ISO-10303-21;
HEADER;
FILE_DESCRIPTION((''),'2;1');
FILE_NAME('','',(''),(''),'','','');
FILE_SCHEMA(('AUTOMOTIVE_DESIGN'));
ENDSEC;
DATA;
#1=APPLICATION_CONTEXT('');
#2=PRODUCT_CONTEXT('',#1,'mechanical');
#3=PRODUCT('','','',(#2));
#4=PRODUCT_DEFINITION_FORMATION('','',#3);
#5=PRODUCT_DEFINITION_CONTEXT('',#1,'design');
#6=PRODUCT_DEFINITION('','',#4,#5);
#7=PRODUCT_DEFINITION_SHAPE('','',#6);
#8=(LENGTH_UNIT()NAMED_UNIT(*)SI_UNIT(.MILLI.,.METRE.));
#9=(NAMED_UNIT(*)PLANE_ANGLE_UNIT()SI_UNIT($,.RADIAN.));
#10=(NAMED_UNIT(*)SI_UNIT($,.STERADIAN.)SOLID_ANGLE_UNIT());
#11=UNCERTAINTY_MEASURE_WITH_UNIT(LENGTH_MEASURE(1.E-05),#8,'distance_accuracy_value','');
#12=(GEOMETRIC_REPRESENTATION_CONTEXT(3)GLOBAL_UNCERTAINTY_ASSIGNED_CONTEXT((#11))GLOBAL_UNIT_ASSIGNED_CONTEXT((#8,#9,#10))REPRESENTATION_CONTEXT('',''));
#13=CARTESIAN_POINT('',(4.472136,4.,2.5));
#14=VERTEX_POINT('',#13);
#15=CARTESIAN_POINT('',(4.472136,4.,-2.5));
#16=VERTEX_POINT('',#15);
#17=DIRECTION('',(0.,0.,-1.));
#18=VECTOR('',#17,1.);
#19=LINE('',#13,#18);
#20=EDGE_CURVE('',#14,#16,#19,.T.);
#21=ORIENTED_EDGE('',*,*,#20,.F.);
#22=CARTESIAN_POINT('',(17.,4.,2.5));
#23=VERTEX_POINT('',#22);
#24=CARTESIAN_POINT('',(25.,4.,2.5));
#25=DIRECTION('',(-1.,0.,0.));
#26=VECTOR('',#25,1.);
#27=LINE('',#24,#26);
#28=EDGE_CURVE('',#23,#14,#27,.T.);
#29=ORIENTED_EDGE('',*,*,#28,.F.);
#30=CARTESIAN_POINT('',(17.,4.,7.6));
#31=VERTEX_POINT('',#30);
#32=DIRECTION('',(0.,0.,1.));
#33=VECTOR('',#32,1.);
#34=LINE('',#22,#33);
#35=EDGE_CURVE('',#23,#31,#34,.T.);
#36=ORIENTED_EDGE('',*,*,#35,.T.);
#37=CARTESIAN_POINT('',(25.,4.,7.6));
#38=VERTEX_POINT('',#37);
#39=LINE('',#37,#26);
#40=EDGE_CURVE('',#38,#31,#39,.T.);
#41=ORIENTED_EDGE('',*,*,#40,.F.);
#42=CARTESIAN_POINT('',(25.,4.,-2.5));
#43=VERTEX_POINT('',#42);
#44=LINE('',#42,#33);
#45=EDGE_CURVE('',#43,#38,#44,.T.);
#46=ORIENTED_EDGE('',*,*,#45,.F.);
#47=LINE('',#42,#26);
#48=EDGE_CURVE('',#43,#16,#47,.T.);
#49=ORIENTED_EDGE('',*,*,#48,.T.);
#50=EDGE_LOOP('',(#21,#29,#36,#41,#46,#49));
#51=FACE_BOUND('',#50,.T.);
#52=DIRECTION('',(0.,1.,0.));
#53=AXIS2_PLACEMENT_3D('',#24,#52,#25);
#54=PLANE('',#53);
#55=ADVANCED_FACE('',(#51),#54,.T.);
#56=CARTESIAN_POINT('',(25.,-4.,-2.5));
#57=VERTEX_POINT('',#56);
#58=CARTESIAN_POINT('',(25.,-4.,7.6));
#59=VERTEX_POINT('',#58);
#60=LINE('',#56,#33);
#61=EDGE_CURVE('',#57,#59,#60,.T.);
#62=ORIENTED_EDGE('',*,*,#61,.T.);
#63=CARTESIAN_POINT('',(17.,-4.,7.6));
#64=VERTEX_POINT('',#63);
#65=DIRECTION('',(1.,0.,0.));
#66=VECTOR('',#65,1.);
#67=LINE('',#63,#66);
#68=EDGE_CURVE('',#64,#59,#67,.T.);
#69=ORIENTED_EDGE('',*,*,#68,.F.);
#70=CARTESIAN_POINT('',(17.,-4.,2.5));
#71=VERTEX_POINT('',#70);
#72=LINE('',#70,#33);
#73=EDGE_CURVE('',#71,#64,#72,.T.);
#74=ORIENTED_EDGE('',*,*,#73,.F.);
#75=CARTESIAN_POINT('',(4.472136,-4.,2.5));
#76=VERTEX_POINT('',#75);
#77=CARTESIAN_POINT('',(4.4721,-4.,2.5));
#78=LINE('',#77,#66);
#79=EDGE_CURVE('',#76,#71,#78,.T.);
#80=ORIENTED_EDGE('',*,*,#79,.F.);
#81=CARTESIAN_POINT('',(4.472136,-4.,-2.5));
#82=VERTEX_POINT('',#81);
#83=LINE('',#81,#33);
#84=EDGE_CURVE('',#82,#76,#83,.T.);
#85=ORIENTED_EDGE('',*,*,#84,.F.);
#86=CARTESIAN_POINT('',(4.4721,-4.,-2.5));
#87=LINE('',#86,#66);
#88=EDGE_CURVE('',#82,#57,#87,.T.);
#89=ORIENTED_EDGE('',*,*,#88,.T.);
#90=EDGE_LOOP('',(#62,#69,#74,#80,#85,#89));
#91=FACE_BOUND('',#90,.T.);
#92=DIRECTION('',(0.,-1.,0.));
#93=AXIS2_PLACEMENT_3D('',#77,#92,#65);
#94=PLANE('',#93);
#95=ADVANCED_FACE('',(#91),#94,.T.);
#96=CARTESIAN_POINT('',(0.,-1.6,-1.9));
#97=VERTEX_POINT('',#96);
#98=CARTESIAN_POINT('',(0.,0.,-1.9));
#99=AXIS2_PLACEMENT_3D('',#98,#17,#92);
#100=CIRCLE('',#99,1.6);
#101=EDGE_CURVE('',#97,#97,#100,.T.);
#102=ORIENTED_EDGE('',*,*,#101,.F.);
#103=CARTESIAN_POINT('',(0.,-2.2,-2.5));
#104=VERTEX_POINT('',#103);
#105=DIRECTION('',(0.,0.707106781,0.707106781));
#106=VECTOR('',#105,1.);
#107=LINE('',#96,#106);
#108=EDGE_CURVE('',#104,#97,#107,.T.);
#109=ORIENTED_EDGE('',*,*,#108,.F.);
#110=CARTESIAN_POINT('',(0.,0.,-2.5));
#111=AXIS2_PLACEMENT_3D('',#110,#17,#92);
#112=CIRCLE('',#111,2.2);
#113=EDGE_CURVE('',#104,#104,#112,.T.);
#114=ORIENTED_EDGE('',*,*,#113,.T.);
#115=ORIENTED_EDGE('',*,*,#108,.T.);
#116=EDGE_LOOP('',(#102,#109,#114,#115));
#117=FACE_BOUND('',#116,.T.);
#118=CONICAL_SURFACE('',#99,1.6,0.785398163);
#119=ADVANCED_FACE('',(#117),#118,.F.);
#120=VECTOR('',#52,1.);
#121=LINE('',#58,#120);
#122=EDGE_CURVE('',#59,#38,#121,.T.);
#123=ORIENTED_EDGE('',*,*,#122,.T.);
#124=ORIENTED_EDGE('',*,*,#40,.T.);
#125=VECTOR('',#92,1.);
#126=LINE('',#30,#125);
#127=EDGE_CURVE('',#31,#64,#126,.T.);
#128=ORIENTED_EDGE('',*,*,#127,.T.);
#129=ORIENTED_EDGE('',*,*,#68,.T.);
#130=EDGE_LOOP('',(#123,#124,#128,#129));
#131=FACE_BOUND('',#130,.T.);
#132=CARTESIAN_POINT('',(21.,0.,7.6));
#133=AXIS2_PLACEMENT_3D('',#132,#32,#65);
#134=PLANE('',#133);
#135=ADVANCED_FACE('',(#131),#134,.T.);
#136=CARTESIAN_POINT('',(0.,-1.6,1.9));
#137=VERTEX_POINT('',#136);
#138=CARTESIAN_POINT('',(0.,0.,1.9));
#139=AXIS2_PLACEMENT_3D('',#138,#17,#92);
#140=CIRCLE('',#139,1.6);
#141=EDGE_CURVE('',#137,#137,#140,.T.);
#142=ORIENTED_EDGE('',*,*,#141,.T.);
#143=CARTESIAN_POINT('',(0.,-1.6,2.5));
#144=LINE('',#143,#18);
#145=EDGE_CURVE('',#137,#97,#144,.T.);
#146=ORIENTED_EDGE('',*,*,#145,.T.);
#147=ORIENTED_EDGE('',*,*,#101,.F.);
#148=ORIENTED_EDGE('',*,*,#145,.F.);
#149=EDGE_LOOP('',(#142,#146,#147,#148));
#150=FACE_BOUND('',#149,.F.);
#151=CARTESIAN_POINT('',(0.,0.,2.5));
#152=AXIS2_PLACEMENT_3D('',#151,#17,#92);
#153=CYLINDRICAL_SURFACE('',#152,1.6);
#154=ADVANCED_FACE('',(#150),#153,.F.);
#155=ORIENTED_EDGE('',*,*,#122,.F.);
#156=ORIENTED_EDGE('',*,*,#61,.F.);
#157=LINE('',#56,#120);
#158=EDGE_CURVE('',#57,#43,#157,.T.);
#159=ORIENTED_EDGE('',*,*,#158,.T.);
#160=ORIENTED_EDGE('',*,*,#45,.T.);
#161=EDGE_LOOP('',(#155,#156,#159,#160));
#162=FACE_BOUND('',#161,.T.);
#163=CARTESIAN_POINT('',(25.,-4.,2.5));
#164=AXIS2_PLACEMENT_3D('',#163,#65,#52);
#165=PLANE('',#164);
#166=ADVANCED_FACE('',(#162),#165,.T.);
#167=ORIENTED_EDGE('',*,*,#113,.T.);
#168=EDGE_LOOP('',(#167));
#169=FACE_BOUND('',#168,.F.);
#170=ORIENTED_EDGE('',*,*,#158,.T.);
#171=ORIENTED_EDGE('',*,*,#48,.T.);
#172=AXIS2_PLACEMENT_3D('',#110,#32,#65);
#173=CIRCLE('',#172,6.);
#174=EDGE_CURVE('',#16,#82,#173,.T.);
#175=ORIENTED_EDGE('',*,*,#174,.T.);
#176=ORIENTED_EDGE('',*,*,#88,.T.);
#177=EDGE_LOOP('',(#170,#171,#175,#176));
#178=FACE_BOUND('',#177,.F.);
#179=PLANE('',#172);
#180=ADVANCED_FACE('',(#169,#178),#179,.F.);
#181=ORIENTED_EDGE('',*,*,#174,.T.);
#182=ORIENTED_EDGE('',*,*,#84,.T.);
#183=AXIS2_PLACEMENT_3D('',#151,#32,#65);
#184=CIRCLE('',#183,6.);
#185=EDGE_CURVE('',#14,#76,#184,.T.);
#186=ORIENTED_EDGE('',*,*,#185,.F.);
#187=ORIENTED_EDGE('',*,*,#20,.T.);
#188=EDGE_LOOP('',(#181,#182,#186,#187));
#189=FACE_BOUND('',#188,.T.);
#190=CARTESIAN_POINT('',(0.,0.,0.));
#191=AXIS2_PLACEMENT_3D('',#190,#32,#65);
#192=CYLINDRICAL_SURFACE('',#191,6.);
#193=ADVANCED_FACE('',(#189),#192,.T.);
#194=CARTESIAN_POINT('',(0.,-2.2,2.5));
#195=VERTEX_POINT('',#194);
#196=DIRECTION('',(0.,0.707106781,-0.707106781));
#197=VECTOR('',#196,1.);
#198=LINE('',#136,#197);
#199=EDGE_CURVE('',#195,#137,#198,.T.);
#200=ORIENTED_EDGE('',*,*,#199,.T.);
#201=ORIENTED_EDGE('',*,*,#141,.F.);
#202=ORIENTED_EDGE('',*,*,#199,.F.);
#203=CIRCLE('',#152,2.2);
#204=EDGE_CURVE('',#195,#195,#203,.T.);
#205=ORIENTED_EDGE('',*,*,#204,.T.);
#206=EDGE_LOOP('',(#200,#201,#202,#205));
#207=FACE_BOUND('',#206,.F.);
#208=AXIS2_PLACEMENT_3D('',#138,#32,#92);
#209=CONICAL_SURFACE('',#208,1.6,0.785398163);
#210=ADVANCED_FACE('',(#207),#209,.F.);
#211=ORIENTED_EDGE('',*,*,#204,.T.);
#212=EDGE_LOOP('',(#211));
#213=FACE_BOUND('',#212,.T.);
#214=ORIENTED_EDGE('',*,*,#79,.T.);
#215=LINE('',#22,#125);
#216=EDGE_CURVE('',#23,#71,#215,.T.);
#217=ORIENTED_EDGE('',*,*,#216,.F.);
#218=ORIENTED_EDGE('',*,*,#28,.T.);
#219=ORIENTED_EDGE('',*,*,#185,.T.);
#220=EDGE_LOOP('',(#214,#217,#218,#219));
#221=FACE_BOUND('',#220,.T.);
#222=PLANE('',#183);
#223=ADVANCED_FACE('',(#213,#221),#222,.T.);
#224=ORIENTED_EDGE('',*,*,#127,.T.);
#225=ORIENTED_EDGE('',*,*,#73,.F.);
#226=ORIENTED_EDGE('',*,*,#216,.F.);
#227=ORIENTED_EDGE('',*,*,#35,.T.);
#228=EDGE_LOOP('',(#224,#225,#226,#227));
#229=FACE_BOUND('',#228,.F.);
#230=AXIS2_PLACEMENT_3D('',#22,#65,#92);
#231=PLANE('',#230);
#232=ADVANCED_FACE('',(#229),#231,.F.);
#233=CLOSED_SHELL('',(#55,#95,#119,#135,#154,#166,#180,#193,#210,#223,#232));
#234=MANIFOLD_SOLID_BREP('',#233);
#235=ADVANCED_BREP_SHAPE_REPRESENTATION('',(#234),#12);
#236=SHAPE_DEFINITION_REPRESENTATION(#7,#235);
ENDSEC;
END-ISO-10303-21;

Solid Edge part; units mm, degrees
sketch "Sketch1" plane through (0, 0, 0) normal (0, 0, 1) x (1, 0, 0)
  circle A0 centre (0, 0) radius 6
  dimension "D1" = 12
extrude "Protrusion1" add sketch "Sketch1" along normal mid plane 5
hole "hole" at (0, 0, 2.5) direction (0, 0, -1) diameter 3.2 depth 30 tip angle 118 start chamfer 0.6 start chamfer angle 45 end chamfer 0.6 end chamfer angle 45
sketch "Sketch2" plane through (0, 0, 2.5) normal (0, 0, 1) x (-1, 0, 0)
  line L0 (-25, -4) -> (-4.4721, -4)
  line L1 (-4.4721, -4) -> (-4.4721, 4)
  line L2 (-4.4721, 4) -> (-25, 4)
  line L3 (-25, 4) -> (-25, -4)
  dimension "D1" = 8
  dimension "D2" = 25
extrude "Protrusion2" add sketch "Sketch2" against normal up to vertex (5 mm away)
sketch "Sketch3" plane through (12, 0, 2.5) normal (0, 0, 1) x (1, 0, 0)
  line L0 (13, 4) -> (5, 4)
  line L1 (5, 4) -> (5, -4)
  line L2 (5, -4) -> (13, -4)
  line L3 (13, -4) -> (13, 4)
  dimension "D1" = 8
extrude "ExtrudedProtrusion_3" add sketch "Sketch3" along normal blind 5.1
properties material "Polyethylene, low density"
